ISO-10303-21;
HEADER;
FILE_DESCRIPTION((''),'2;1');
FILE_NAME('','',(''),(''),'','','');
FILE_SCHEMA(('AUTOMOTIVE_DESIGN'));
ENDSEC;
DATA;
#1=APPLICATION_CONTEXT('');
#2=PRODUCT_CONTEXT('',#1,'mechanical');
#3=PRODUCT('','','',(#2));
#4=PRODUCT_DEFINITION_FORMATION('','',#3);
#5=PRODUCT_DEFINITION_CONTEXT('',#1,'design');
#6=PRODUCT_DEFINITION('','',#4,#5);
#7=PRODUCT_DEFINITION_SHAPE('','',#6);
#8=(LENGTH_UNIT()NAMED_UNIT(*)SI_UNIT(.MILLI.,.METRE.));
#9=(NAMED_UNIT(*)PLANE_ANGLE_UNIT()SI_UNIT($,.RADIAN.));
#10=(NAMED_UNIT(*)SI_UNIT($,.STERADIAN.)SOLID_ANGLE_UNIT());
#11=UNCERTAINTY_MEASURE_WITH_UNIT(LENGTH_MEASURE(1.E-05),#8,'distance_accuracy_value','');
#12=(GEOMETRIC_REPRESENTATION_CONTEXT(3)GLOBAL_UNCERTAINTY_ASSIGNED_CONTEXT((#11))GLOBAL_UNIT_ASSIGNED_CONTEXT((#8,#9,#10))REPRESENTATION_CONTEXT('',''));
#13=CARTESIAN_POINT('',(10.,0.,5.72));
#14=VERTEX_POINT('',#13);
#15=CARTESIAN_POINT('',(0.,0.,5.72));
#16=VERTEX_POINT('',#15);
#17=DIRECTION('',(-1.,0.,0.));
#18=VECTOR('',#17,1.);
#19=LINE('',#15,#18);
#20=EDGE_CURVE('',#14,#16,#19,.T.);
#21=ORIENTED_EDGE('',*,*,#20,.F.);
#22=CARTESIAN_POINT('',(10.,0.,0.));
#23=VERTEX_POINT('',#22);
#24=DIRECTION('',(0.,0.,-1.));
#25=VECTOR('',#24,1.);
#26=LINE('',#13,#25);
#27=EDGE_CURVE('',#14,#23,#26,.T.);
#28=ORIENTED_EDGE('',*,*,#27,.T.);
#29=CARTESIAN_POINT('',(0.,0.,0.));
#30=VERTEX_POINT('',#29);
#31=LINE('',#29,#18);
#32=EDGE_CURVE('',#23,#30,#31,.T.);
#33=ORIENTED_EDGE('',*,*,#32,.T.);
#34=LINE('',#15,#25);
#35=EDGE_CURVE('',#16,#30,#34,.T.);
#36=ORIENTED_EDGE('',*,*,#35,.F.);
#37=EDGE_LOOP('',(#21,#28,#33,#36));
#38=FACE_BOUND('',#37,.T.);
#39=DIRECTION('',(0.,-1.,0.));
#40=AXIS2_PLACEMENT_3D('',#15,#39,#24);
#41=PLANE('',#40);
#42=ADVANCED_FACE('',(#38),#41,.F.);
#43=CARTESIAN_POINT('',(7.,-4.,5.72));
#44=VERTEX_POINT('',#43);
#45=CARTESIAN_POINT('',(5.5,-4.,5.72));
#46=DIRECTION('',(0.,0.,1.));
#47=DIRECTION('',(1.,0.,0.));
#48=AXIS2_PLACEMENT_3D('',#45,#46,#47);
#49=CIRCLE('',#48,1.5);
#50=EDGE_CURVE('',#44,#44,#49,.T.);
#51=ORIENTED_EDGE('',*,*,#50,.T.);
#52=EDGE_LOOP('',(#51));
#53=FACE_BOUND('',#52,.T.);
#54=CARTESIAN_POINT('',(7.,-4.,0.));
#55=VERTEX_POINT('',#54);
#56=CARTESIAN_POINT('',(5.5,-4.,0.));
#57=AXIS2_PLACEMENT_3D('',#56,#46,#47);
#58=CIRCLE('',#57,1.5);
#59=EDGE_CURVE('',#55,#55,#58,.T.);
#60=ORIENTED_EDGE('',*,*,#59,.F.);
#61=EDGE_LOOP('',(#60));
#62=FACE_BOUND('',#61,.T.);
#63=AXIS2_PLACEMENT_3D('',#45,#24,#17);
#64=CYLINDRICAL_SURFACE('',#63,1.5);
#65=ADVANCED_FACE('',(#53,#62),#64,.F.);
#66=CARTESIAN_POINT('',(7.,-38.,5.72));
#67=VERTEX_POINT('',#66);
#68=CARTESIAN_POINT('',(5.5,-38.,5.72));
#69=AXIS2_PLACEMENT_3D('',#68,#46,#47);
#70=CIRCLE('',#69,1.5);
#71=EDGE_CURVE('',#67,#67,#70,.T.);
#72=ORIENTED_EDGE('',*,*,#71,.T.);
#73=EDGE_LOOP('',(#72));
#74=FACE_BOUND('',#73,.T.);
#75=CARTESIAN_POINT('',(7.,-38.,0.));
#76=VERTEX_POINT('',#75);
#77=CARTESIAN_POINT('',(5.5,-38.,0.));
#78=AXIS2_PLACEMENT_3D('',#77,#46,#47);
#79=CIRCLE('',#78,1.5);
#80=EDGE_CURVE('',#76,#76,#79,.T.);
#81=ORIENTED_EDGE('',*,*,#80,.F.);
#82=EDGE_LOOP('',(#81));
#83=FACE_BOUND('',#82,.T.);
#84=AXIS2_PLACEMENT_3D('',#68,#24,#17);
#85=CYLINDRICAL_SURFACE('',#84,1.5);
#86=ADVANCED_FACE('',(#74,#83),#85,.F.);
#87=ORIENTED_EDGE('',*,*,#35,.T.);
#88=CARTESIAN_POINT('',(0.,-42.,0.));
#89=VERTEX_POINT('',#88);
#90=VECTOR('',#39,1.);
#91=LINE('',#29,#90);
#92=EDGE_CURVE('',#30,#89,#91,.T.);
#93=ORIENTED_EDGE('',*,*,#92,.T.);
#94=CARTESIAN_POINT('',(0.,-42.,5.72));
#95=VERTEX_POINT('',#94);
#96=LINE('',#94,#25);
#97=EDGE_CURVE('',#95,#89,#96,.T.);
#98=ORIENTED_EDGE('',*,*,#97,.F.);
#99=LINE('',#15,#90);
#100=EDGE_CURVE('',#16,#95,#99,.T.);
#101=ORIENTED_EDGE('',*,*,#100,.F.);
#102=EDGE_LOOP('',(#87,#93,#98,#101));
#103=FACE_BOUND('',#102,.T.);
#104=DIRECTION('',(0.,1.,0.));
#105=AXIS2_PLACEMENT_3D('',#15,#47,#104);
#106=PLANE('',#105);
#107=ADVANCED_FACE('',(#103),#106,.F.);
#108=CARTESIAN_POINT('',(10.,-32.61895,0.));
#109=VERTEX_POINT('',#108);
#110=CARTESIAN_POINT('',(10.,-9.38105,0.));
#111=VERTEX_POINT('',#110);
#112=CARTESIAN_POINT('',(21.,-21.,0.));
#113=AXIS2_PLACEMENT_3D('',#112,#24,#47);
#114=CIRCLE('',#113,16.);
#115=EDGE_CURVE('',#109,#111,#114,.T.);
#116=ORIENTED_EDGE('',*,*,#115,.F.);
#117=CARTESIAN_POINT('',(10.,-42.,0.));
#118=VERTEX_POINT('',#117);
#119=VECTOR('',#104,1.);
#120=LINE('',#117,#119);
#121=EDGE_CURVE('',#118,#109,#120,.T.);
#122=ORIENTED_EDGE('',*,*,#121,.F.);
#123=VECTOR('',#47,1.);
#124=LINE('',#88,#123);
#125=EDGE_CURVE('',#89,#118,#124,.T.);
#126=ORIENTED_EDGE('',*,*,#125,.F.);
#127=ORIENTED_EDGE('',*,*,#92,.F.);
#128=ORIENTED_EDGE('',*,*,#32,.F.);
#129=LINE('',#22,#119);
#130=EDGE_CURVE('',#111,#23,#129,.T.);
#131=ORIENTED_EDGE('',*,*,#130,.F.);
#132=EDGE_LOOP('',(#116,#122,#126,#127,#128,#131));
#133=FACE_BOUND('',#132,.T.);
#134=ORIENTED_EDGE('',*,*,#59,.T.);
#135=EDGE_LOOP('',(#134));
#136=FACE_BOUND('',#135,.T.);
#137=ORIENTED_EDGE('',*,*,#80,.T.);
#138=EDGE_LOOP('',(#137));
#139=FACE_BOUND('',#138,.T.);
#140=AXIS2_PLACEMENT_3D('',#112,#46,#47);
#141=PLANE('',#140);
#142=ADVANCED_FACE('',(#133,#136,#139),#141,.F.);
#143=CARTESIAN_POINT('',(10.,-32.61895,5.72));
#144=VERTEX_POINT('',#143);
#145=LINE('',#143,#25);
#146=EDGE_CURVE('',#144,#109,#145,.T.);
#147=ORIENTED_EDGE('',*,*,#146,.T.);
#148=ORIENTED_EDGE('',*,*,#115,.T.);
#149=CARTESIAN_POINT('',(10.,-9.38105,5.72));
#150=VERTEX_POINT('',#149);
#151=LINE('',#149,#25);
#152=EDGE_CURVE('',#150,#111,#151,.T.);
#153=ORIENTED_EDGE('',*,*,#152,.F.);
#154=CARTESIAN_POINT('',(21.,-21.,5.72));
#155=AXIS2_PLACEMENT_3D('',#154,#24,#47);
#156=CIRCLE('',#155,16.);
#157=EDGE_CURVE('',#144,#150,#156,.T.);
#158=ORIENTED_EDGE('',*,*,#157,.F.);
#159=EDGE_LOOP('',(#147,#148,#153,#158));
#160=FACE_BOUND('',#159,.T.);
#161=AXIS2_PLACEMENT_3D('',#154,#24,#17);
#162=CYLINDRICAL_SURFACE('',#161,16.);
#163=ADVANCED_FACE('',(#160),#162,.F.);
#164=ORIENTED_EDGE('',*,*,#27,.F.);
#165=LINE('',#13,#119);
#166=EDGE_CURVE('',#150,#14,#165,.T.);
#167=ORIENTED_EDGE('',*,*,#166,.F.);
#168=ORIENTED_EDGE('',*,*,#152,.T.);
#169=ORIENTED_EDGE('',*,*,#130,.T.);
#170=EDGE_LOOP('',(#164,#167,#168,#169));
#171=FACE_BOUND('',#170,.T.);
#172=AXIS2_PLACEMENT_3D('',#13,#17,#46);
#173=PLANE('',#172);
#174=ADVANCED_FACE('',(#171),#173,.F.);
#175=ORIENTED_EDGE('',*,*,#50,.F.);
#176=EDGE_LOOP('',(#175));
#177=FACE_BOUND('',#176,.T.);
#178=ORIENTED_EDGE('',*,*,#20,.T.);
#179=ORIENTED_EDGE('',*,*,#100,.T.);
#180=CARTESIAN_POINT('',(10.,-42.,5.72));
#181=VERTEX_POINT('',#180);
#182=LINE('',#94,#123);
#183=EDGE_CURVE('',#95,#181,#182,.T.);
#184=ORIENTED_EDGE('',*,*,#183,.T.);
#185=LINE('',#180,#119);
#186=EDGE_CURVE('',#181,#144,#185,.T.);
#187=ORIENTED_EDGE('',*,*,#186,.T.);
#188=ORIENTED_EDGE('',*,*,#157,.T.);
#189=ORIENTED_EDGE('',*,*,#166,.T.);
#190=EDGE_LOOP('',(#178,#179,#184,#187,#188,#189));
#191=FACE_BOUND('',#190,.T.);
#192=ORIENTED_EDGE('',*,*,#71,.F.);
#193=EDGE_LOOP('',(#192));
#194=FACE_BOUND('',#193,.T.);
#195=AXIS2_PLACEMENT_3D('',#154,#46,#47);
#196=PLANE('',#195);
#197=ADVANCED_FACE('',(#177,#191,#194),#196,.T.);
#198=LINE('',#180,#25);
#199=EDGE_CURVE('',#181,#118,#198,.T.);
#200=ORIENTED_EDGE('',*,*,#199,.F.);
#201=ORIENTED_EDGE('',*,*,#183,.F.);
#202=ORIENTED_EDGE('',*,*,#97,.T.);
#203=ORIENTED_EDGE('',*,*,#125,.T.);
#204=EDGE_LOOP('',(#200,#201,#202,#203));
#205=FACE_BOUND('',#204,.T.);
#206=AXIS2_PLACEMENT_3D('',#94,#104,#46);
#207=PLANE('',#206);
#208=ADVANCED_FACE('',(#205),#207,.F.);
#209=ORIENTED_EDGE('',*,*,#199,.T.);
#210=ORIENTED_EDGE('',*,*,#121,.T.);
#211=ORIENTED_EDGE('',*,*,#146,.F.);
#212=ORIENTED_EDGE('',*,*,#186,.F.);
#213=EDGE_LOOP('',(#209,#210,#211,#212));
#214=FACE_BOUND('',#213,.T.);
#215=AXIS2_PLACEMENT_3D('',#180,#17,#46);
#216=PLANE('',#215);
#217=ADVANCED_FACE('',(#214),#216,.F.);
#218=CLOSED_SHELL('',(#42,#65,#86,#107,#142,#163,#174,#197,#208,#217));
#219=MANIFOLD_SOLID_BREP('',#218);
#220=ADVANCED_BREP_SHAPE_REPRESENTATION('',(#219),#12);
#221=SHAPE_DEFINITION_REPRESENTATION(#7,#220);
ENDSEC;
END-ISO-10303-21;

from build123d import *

# Parameters (mm, degrees)
SKETCH1_R           = 1.5
BOSS_EXTRUDE1_DEPTH = 5.72


with BuildPart() as part:
    # Sketch1 → Boss-Extrude1 (new body)
    with BuildSketch(Plane.XY):
        with BuildLine():
            Line((0, 0), (10, 0))
            Line((10, 0), (10, -9.381049961))
            ThreePointArc((10, -9.381049961), (5, -21), (10, -32.618950039))
            Line((10, -32.618950039), (10, -42))
            Line((10, -42), (0, -42))
            Line((0, -42), (0, 0))
        make_face()
        with Locations((5.5, -38)):
            Circle(SKETCH1_R, mode=Mode.SUBTRACT)
        with Locations((5.5, -4)):
            Circle(SKETCH1_R, mode=Mode.SUBTRACT)
    extrude(amount=BOSS_EXTRUDE1_DEPTH)


solid = part.part
